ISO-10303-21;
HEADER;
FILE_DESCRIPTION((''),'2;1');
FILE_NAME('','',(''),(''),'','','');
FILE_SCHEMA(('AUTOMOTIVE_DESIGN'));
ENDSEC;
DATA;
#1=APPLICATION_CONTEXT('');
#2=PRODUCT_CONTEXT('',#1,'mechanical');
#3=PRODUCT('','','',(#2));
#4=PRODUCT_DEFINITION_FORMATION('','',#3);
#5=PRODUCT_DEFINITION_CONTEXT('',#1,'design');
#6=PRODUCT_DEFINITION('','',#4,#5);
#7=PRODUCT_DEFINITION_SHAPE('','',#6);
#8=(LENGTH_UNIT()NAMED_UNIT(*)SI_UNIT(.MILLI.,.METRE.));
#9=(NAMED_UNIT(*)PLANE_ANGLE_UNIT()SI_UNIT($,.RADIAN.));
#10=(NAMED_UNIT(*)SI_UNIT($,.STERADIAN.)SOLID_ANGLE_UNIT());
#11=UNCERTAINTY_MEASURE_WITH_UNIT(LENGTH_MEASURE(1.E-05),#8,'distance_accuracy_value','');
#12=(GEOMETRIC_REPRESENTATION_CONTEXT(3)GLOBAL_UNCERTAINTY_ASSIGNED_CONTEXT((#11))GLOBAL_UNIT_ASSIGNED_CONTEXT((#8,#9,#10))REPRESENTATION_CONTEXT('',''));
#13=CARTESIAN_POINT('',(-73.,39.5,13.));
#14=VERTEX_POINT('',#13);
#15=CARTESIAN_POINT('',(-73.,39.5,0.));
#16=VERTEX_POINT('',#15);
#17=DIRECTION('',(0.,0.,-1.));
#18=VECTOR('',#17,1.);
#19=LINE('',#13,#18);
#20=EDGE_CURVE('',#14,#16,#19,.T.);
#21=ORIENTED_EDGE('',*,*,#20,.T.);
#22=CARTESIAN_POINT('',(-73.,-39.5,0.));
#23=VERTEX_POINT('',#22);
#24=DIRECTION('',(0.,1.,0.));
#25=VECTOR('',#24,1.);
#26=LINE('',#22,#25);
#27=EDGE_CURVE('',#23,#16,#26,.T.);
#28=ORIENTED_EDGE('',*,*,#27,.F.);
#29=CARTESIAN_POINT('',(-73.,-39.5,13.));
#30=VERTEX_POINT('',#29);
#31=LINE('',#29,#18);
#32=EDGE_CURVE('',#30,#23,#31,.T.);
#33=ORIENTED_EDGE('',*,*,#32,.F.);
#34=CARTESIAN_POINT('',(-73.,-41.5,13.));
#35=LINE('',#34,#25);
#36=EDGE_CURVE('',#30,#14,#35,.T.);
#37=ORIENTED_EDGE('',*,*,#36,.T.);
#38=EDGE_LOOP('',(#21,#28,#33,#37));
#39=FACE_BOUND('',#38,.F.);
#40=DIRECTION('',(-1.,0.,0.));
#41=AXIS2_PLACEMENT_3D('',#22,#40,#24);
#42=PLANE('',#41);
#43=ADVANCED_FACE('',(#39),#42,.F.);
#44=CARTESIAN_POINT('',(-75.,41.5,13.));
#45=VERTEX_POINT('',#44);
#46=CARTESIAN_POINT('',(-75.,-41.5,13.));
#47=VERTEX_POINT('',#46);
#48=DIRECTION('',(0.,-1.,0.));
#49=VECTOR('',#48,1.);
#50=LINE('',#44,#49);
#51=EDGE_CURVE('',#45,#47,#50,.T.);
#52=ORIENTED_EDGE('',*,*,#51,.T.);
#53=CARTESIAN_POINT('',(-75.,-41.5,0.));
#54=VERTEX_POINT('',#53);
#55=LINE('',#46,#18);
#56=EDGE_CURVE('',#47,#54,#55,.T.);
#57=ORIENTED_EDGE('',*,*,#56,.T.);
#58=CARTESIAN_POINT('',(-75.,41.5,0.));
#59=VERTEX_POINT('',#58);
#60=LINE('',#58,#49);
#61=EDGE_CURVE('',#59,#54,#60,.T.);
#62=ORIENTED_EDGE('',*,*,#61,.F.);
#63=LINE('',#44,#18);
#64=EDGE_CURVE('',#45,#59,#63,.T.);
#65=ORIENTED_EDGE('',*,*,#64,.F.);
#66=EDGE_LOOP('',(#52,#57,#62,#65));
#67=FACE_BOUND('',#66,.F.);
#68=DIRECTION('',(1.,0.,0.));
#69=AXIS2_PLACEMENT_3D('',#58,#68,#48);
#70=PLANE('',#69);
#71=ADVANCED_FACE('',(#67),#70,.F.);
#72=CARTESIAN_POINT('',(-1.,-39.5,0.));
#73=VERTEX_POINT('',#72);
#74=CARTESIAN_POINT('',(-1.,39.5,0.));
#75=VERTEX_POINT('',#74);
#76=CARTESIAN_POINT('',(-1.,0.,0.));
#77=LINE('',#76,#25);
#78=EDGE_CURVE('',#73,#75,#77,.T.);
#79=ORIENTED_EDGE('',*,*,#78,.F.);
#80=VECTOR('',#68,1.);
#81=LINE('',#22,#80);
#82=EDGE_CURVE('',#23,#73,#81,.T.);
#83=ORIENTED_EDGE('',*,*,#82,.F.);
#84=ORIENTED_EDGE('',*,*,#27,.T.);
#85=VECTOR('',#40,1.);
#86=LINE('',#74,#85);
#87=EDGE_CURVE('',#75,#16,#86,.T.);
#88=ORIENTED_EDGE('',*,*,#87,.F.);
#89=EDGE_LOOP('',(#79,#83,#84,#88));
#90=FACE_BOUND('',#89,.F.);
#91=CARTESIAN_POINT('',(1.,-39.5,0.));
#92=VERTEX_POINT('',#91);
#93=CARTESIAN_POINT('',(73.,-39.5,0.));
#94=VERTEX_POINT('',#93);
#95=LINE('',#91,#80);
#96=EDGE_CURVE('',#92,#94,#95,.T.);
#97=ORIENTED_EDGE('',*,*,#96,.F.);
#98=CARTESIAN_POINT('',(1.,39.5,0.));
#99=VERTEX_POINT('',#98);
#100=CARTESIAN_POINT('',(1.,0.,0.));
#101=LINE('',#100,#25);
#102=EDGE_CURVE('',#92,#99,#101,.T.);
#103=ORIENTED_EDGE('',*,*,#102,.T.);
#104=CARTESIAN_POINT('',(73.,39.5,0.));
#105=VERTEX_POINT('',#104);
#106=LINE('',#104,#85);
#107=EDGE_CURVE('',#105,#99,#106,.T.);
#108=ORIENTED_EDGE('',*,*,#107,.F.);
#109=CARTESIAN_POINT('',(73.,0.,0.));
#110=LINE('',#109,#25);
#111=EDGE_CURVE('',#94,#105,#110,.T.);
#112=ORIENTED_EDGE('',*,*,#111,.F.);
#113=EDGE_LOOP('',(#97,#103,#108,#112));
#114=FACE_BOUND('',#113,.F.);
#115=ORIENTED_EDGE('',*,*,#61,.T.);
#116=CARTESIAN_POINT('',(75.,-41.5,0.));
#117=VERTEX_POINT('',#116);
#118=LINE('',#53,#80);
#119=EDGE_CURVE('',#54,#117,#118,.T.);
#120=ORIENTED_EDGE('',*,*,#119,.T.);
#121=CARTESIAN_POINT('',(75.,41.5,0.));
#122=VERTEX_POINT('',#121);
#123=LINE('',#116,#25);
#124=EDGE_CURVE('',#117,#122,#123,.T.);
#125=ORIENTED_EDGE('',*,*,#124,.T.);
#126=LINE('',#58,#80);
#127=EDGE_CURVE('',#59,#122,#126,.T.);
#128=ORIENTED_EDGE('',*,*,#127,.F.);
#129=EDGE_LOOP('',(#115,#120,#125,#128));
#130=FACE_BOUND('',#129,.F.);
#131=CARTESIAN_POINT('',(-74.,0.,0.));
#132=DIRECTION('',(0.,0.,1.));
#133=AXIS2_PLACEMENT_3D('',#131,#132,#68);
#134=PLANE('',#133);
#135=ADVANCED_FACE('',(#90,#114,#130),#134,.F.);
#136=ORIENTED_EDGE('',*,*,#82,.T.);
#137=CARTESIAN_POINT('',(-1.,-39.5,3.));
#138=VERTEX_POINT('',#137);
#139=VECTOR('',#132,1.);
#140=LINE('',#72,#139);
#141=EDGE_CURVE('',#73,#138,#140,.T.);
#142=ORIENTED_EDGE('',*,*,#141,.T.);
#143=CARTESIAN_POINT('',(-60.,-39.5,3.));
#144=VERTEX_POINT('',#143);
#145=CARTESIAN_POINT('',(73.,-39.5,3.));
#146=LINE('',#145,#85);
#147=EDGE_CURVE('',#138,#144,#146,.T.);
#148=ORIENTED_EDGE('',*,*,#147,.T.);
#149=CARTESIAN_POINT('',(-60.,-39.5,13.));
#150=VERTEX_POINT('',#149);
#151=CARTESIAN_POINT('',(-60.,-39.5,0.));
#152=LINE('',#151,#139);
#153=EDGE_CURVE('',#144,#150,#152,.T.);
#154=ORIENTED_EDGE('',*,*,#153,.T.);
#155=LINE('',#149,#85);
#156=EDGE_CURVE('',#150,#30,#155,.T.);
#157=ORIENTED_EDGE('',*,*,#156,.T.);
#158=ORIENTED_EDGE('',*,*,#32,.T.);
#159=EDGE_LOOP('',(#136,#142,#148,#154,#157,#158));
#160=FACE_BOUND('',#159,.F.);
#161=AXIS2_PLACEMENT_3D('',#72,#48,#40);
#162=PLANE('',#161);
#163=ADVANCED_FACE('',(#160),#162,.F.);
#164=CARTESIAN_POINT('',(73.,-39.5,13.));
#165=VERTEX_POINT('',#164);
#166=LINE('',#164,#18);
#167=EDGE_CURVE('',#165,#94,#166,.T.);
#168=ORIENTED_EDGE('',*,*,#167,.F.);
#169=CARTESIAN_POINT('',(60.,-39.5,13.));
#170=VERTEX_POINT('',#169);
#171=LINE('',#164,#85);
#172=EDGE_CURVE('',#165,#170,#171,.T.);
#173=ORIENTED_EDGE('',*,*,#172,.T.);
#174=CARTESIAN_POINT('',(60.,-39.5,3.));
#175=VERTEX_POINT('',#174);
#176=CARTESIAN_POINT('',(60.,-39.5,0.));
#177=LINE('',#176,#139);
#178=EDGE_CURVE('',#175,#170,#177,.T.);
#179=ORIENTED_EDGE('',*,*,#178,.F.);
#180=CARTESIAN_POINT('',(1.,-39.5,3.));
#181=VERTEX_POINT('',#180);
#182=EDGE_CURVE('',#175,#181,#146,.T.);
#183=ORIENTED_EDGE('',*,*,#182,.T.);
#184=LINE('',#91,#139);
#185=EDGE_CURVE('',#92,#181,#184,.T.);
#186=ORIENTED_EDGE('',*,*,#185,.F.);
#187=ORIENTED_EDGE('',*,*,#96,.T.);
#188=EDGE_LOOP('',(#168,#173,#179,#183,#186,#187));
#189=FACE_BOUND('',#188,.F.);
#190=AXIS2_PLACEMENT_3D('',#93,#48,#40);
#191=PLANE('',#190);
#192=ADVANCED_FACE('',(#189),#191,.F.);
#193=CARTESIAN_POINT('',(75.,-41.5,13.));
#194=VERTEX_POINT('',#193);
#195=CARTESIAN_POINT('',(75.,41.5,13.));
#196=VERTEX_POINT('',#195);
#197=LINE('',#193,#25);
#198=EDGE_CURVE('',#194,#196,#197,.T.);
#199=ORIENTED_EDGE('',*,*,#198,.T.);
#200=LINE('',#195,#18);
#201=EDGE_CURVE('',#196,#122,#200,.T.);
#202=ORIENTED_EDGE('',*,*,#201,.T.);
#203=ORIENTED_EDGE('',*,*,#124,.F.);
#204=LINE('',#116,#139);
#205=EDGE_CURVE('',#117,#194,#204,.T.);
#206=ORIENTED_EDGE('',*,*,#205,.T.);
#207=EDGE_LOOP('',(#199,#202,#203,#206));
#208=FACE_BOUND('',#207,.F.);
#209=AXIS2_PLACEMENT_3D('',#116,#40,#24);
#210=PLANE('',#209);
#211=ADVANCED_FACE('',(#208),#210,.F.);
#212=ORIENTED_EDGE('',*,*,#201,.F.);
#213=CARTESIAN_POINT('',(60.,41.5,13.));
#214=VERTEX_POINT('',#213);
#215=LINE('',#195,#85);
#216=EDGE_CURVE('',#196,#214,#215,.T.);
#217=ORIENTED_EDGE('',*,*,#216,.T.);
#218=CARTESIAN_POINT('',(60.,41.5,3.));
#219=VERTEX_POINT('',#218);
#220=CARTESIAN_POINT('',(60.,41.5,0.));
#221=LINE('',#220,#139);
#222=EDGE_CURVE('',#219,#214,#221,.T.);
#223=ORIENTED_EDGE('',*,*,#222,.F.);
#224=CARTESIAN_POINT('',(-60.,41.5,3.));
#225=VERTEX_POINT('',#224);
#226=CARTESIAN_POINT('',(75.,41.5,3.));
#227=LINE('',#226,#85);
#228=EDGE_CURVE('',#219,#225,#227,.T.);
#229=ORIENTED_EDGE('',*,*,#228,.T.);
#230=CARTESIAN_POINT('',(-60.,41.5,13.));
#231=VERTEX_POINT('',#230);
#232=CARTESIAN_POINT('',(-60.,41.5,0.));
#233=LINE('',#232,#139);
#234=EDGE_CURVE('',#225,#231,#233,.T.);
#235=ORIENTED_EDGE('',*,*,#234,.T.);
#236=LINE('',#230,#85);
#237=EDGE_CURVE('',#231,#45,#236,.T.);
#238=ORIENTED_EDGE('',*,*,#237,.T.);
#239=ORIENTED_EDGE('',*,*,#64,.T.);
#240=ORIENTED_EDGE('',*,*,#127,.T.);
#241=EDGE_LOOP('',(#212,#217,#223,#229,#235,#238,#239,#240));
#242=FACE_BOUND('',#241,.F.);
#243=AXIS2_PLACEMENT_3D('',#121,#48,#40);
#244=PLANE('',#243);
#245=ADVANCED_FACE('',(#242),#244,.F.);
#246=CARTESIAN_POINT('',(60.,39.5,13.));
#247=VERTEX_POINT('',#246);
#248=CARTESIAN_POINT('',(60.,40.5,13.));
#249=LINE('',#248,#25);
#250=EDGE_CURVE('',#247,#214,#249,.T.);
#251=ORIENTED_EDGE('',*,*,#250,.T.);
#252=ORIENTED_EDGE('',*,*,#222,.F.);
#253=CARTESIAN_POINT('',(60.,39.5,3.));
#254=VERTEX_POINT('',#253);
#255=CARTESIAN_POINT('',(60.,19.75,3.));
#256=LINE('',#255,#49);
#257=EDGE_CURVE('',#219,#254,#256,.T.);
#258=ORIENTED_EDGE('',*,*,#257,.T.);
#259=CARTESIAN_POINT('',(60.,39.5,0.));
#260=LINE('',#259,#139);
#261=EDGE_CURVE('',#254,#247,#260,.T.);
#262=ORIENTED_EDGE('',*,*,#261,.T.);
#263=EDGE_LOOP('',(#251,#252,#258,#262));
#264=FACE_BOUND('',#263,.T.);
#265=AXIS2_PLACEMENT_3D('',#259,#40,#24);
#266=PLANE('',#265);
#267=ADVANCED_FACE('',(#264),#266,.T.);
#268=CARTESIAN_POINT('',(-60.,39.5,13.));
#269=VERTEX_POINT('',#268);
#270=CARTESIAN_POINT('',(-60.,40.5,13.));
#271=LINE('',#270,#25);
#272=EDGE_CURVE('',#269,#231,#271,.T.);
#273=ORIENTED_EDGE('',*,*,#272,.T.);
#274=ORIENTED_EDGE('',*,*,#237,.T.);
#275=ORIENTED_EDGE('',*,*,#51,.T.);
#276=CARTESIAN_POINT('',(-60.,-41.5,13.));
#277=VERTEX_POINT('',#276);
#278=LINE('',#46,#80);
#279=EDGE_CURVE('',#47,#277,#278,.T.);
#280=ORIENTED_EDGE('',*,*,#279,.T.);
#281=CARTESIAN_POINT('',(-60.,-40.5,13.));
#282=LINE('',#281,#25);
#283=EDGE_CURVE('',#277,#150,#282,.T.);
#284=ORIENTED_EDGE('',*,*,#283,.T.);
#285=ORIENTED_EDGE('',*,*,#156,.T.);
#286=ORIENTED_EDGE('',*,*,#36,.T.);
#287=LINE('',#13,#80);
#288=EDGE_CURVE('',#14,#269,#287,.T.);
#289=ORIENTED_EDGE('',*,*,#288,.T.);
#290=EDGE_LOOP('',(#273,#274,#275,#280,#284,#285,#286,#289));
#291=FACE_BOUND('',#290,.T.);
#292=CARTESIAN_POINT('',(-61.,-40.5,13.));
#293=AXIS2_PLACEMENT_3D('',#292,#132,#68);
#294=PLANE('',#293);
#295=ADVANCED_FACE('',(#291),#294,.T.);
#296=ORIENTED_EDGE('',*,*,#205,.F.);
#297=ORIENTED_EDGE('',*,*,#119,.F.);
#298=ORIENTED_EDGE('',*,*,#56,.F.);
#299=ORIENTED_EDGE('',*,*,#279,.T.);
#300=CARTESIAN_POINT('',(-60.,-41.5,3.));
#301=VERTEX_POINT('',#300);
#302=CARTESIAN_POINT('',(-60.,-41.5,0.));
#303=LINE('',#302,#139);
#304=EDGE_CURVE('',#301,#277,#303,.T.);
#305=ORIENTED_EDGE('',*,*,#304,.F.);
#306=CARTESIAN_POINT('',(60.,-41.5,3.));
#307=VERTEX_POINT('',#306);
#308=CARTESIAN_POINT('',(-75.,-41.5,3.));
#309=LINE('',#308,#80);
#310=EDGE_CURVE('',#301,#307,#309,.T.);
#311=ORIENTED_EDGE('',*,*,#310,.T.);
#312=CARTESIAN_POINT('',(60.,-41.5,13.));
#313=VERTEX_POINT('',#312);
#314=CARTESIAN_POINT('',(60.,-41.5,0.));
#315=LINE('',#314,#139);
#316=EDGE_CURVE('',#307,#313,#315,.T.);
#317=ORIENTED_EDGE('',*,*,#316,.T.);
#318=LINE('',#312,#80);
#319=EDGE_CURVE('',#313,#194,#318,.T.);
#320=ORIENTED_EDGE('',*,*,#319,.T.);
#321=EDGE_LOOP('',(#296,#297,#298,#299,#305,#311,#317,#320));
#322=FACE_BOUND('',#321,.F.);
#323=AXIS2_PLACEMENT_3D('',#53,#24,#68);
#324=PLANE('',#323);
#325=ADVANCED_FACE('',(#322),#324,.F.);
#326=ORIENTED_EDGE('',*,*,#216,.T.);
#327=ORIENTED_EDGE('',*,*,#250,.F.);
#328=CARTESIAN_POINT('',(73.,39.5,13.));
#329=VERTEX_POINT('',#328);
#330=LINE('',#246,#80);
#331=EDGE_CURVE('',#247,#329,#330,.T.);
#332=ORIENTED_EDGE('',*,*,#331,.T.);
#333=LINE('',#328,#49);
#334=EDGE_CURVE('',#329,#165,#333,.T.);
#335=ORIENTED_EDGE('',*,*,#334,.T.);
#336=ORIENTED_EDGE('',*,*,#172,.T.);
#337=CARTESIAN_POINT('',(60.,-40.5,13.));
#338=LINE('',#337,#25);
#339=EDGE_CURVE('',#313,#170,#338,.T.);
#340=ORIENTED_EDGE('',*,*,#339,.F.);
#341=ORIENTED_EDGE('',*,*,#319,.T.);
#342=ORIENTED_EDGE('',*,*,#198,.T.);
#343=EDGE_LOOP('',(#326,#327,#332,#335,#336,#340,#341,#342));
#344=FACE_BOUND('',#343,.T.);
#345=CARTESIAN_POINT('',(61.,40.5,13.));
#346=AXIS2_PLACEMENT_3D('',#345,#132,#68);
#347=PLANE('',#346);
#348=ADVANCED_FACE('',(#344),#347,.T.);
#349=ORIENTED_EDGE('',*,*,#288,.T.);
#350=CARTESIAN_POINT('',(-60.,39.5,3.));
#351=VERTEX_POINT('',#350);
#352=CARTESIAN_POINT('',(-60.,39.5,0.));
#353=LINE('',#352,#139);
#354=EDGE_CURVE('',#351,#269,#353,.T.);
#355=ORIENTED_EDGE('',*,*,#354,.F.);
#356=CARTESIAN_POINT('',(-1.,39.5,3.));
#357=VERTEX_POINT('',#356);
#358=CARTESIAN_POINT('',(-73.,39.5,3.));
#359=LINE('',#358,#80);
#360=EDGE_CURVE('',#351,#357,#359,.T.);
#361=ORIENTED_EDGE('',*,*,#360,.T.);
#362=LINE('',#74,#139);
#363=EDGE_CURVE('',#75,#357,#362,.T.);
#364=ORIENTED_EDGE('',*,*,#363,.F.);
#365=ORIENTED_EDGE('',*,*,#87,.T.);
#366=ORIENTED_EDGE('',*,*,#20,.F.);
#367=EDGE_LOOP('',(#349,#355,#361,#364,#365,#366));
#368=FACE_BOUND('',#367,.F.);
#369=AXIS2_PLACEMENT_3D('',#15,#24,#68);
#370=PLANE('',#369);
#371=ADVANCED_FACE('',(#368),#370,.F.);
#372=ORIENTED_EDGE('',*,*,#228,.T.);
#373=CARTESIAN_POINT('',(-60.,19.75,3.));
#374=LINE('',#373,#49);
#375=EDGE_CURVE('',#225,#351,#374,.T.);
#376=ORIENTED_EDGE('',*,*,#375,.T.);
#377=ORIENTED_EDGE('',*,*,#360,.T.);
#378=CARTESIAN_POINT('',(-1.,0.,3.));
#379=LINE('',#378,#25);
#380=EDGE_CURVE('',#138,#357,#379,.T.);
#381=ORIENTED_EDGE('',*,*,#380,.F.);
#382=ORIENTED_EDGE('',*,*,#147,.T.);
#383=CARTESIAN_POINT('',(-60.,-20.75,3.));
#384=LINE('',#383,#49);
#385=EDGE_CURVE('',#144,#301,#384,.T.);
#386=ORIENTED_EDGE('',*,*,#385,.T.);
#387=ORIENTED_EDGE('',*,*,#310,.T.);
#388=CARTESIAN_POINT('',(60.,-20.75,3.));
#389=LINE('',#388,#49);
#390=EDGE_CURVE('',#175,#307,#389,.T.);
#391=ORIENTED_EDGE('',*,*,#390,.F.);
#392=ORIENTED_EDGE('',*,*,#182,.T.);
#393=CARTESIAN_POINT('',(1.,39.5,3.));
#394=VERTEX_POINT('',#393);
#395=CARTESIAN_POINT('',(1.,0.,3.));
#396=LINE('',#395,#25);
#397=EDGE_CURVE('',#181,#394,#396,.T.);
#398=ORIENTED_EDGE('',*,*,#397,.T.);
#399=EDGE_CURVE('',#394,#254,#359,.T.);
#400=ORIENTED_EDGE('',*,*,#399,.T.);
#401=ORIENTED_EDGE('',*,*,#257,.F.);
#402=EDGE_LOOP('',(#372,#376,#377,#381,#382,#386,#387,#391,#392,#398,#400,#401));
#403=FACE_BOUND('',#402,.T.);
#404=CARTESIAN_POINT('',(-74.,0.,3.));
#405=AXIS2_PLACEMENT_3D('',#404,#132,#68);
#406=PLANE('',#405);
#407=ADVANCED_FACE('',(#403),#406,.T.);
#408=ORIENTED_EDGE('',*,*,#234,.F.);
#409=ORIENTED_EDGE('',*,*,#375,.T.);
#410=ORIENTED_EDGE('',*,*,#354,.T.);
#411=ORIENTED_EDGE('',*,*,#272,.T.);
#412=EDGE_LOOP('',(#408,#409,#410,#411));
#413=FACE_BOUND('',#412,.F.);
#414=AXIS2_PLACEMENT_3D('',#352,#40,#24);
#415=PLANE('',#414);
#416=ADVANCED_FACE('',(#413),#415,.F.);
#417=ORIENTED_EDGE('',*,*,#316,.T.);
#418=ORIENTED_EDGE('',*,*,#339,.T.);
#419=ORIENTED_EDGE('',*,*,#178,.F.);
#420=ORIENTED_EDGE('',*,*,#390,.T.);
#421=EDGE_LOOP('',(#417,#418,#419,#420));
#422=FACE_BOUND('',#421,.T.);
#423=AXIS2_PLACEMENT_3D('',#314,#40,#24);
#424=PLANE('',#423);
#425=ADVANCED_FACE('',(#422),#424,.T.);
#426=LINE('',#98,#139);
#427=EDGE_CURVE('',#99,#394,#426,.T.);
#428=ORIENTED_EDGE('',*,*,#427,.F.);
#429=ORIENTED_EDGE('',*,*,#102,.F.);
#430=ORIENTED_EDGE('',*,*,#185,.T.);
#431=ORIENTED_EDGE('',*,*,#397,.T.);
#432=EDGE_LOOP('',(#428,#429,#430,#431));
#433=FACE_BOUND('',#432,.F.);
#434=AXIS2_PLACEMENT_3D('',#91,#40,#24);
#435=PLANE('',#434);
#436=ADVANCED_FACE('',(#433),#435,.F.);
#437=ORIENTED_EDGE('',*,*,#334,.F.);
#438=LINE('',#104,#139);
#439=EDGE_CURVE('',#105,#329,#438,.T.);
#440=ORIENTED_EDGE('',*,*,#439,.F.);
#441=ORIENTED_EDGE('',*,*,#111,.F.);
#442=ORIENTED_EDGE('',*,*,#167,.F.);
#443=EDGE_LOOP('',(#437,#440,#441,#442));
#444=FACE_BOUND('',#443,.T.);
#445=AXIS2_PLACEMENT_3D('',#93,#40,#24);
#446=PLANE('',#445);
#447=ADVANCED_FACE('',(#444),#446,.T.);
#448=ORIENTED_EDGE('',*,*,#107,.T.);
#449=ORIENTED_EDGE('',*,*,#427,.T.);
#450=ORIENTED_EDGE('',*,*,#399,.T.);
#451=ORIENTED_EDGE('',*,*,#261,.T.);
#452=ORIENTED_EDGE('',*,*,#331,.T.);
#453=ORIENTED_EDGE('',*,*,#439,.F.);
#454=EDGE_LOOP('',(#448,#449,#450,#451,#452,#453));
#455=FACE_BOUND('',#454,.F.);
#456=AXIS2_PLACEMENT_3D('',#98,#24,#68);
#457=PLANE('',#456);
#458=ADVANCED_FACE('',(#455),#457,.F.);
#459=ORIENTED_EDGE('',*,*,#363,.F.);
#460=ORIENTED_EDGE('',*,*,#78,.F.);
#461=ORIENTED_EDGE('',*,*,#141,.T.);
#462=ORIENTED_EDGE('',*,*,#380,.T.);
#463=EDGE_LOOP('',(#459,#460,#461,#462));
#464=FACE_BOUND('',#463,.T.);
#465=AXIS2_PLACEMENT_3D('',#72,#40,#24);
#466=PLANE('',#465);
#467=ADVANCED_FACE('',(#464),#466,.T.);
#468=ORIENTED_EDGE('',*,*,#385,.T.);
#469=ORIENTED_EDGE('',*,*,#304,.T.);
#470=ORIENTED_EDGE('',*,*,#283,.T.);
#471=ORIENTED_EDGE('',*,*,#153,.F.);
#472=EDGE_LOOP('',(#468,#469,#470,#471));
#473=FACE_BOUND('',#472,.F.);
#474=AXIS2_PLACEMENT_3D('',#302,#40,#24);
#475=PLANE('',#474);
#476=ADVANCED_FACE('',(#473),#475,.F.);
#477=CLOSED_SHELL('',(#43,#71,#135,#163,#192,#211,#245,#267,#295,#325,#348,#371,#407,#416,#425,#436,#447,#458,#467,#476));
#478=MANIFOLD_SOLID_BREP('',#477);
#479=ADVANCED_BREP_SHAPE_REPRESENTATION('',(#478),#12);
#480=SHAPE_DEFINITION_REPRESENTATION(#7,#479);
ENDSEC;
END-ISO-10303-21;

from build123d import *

# Parameters (mm, degrees)
F0_W     = 2
F0_H     = 79
F0_H_2   = 2
F0_W_2   = 11
F0_W_3   = 59
F1_DEPTH = 3
F2_DEPTH = 13


with BuildPart() as f1:
    # F0 (on Top) → F1 (new body)
    with BuildSketch(Plane.XY):
        with Locations((-74, 0)):
            Rectangle(F0_W, F0_H)
        with Locations((-74, -40.5)):
            Rectangle(F0_W, F0_H_2)
        with Locations((-67.5, -40.5)):
            Rectangle(F0_W_2, F0_H_2)
        with Locations((-74, 40.5)):
            Rectangle(F0_W, F0_H_2)
        with Locations((-61, -40.5)):
            Rectangle(F0_W, F0_H_2)
        with Locations((-67.5, 40.5)):
            Rectangle(F0_W_2, F0_H_2)
        with Locations((-30.5, -40.5)):
            Rectangle(F0_W_3, F0_H_2)
        with Locations((-61, 40.5)):
            Rectangle(F0_W, F0_H_2)
        with Locations((0, -40.5)):
            Rectangle(F0_W, F0_H_2)
        with Locations((-30.5, 40.5)):
            Rectangle(F0_W_3, F0_H_2)
        with Locations((30.5, -40.5)):
            Rectangle(F0_W_3, F0_H_2)
        with Locations((0, 40.5)):
            Rectangle(F0_W, F0_H_2)
        with Locations((61, -40.5)):
            Rectangle(F0_W, F0_H_2)
        with Locations((30.5, 40.5)):
            Rectangle(F0_W_3, F0_H_2)
        with Locations((67.5, -40.5)):
            Rectangle(F0_W_2, F0_H_2)
        with Locations((61, 40.5)):
            Rectangle(F0_W, F0_H_2)
        with Locations((74, 0)):
            Rectangle(F0_W, F0_H)
        with Locations((74, -40.5)):
            Rectangle(F0_W, F0_H_2)
        with Locations((67.5, 40.5)):
            Rectangle(F0_W_2, F0_H_2)
        with Locations((74, 40.5)):
            Rectangle(F0_W, F0_H_2)
        Rectangle(F0_W, F0_H)
    extrude(amount=F1_DEPTH)

    # F0 (on Top) → F2 (join)
    with BuildSketch(Plane.XY):
        with Locations((-61, -40.5)):
            Rectangle(F0_W, F0_H_2)
        with Locations((-61, 40.5)):
            Rectangle(F0_W, F0_H_2)
        with Locations((-74, 0)):
            Rectangle(F0_W, F0_H)
        with Locations((-74, -40.5)):
            Rectangle(F0_W, F0_H_2)
        with Locations((-67.5, -40.5)):
            Rectangle(F0_W_2, F0_H_2)
        with Locations((-67.5, 40.5)):
            Rectangle(F0_W_2, F0_H_2)
        with Locations((-74, 40.5)):
            Rectangle(F0_W, F0_H_2)
        with Locations((61, 40.5)):
            Rectangle(F0_W, F0_H_2)
        with Locations((67.5, 40.5)):
            Rectangle(F0_W_2, F0_H_2)
        with Locations((74, 40.5)):
            Rectangle(F0_W, F0_H_2)
        with Locations((74, 0)):
            Rectangle(F0_W, F0_H)
        with Locations((74, -40.5)):
            Rectangle(F0_W, F0_H_2)
        with Locations((67.5, -40.5)):
            Rectangle(F0_W_2, F0_H_2)
        with Locations((61, -40.5)):
            Rectangle(F0_W, F0_H_2)
    extrude(amount=F2_DEPTH)


solid = f1.part
